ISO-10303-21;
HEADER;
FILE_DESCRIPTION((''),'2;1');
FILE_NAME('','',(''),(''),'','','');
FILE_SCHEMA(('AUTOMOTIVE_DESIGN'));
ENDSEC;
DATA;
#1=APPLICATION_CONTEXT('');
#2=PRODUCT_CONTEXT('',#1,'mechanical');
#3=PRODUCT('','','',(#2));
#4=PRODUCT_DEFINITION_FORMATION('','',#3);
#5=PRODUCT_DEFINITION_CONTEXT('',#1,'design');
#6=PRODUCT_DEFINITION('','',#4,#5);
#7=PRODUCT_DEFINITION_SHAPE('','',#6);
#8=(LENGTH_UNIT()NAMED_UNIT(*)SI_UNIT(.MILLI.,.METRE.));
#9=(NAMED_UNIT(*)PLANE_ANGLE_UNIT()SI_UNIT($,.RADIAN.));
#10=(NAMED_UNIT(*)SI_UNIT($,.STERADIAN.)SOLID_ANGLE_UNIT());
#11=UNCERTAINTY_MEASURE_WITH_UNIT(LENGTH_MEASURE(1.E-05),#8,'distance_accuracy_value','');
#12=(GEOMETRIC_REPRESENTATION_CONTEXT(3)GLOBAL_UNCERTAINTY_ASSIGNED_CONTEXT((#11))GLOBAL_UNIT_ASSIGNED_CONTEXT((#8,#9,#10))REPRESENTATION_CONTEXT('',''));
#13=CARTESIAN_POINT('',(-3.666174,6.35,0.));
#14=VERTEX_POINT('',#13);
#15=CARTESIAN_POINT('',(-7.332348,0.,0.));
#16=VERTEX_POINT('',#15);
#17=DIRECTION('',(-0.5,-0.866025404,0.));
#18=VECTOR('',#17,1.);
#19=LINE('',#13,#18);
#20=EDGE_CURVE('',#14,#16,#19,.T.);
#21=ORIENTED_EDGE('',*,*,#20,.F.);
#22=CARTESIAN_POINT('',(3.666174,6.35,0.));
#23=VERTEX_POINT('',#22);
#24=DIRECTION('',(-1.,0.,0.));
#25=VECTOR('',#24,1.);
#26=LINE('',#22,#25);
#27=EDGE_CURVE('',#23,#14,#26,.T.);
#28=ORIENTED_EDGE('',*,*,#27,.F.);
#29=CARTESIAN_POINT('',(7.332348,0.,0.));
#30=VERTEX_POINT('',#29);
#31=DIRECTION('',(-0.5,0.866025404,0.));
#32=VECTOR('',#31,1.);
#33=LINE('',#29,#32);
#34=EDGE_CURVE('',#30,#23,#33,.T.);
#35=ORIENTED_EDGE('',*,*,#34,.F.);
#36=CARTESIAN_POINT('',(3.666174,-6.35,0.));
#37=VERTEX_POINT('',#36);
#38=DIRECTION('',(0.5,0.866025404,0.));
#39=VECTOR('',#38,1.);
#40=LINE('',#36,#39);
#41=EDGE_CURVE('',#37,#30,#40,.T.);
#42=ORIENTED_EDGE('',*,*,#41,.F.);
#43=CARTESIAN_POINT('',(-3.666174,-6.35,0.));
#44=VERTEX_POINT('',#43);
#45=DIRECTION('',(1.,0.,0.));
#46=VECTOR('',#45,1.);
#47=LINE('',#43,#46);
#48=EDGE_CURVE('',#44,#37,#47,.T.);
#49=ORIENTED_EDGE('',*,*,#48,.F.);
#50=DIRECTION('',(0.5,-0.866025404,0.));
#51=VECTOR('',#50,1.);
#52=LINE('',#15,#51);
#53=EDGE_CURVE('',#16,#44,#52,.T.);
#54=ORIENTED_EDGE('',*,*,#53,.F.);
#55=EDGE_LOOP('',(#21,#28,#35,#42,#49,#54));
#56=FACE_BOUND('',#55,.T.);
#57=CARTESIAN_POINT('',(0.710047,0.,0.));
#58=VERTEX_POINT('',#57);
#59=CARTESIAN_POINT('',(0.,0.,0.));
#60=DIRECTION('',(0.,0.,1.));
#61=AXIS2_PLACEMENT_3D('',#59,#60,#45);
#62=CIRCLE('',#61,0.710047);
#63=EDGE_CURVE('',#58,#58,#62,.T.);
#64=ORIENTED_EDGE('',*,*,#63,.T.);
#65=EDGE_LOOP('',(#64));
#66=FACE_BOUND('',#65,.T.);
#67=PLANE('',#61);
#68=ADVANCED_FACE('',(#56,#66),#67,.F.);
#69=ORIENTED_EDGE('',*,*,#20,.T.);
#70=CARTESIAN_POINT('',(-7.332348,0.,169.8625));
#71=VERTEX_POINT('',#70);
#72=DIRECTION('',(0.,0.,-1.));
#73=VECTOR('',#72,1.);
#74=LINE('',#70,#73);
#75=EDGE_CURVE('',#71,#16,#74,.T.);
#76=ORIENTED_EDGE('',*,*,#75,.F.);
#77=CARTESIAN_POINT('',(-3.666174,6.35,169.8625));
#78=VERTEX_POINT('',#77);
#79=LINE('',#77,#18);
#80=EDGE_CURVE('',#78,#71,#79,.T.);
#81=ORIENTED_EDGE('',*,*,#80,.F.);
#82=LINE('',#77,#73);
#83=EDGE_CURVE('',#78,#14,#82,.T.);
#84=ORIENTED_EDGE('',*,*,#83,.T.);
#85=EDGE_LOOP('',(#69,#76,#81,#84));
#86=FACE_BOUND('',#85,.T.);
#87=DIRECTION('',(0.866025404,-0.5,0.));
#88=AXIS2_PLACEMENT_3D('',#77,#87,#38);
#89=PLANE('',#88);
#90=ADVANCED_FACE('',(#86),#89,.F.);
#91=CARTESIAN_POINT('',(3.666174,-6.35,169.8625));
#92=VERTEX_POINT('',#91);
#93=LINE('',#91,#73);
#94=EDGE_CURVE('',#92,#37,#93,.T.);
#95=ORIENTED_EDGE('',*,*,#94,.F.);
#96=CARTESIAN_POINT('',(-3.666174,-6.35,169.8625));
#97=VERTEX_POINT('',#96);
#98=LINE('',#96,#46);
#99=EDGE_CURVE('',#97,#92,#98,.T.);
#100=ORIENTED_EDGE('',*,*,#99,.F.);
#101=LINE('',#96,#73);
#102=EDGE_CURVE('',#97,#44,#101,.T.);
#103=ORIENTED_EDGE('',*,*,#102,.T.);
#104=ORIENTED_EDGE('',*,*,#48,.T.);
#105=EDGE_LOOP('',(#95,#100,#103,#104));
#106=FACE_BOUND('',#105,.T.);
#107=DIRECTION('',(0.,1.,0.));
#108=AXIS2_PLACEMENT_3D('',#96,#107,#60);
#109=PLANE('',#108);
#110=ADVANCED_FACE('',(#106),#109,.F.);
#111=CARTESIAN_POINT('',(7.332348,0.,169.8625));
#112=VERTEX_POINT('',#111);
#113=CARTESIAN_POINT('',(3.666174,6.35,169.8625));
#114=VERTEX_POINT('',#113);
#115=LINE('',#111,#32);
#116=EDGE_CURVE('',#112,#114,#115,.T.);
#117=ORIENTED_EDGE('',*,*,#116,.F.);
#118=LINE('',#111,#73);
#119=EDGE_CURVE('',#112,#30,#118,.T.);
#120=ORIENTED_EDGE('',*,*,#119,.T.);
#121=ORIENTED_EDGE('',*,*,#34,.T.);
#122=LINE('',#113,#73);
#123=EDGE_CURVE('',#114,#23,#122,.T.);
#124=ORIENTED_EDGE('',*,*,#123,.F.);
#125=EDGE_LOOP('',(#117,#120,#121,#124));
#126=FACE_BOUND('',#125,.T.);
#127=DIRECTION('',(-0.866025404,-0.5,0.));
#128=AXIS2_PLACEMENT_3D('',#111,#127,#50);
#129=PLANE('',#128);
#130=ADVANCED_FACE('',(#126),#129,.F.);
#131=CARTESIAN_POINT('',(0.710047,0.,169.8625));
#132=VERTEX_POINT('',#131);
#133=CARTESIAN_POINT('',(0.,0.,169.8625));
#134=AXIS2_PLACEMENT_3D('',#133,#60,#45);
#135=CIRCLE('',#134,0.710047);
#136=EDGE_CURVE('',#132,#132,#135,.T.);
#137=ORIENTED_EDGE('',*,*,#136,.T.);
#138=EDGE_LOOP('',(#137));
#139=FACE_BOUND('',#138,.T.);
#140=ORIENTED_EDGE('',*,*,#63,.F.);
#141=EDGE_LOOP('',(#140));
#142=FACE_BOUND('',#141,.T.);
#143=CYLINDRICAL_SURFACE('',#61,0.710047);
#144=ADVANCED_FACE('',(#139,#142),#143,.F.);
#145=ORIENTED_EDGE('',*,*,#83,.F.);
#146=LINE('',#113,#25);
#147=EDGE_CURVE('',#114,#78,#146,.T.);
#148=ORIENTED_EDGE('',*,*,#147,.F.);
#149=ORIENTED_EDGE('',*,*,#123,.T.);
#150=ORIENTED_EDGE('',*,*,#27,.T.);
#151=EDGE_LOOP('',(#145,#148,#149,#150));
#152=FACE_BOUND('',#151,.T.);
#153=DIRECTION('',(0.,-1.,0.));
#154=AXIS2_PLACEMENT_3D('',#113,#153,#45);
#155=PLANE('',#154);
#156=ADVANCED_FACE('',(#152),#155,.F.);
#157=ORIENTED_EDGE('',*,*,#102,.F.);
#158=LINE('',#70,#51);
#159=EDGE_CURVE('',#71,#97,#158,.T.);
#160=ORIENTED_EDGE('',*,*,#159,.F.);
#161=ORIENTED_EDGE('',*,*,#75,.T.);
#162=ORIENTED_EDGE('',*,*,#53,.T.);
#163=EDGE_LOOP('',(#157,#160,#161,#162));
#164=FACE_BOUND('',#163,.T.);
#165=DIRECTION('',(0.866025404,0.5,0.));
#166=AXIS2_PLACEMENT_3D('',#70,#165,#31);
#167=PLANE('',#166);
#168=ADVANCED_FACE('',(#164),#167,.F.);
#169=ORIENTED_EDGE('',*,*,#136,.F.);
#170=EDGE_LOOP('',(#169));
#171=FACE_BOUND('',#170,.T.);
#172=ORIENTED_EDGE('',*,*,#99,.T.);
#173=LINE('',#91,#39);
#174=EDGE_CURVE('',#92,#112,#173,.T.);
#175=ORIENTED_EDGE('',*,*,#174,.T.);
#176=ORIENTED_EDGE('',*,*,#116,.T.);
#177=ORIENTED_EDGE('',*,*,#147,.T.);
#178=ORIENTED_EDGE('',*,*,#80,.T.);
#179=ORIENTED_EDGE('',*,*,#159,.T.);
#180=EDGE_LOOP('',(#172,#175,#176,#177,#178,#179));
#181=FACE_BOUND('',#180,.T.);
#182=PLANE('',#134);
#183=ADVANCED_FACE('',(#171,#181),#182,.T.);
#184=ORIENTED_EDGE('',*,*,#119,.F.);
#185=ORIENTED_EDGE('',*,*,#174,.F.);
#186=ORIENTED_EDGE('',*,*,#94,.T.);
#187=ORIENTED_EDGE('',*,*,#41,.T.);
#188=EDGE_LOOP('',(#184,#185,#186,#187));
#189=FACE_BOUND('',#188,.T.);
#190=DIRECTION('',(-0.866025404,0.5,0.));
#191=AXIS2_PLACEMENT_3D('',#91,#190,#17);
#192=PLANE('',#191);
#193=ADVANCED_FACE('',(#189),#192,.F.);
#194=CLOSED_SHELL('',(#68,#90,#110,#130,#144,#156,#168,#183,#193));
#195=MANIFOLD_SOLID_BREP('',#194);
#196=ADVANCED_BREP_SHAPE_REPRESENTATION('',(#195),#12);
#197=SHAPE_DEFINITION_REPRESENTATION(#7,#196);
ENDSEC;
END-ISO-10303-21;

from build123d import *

# Parameters (mm, degrees)
BOSS_EXTRUDE1_DEPTH = 169.8625
SKETCH2_R           = 0.710047413
CUT_EXTRUDE1_DEPTH  = 170.8625


with BuildPart() as part:
    # Sketch1 → Boss-Extrude1 (new body)
    with BuildSketch(Plane.XY):
        Polygon((3.666174209, -6.35), (7.332348419, 0), (3.666174209, 6.35), (-3.666174209, 6.35), (-7.332348419, 0), (-3.666174209, -6.35), align=None)
    extrude(amount=BOSS_EXTRUDE1_DEPTH)

    # Sketch2 → Cut-Extrude1 (cut, through all)
    with BuildSketch(Plane.XY.offset(169.8625)):
        Circle(SKETCH2_R)
    extrude(amount=-CUT_EXTRUDE1_DEPTH, mode=Mode.SUBTRACT)


solid = part.part
